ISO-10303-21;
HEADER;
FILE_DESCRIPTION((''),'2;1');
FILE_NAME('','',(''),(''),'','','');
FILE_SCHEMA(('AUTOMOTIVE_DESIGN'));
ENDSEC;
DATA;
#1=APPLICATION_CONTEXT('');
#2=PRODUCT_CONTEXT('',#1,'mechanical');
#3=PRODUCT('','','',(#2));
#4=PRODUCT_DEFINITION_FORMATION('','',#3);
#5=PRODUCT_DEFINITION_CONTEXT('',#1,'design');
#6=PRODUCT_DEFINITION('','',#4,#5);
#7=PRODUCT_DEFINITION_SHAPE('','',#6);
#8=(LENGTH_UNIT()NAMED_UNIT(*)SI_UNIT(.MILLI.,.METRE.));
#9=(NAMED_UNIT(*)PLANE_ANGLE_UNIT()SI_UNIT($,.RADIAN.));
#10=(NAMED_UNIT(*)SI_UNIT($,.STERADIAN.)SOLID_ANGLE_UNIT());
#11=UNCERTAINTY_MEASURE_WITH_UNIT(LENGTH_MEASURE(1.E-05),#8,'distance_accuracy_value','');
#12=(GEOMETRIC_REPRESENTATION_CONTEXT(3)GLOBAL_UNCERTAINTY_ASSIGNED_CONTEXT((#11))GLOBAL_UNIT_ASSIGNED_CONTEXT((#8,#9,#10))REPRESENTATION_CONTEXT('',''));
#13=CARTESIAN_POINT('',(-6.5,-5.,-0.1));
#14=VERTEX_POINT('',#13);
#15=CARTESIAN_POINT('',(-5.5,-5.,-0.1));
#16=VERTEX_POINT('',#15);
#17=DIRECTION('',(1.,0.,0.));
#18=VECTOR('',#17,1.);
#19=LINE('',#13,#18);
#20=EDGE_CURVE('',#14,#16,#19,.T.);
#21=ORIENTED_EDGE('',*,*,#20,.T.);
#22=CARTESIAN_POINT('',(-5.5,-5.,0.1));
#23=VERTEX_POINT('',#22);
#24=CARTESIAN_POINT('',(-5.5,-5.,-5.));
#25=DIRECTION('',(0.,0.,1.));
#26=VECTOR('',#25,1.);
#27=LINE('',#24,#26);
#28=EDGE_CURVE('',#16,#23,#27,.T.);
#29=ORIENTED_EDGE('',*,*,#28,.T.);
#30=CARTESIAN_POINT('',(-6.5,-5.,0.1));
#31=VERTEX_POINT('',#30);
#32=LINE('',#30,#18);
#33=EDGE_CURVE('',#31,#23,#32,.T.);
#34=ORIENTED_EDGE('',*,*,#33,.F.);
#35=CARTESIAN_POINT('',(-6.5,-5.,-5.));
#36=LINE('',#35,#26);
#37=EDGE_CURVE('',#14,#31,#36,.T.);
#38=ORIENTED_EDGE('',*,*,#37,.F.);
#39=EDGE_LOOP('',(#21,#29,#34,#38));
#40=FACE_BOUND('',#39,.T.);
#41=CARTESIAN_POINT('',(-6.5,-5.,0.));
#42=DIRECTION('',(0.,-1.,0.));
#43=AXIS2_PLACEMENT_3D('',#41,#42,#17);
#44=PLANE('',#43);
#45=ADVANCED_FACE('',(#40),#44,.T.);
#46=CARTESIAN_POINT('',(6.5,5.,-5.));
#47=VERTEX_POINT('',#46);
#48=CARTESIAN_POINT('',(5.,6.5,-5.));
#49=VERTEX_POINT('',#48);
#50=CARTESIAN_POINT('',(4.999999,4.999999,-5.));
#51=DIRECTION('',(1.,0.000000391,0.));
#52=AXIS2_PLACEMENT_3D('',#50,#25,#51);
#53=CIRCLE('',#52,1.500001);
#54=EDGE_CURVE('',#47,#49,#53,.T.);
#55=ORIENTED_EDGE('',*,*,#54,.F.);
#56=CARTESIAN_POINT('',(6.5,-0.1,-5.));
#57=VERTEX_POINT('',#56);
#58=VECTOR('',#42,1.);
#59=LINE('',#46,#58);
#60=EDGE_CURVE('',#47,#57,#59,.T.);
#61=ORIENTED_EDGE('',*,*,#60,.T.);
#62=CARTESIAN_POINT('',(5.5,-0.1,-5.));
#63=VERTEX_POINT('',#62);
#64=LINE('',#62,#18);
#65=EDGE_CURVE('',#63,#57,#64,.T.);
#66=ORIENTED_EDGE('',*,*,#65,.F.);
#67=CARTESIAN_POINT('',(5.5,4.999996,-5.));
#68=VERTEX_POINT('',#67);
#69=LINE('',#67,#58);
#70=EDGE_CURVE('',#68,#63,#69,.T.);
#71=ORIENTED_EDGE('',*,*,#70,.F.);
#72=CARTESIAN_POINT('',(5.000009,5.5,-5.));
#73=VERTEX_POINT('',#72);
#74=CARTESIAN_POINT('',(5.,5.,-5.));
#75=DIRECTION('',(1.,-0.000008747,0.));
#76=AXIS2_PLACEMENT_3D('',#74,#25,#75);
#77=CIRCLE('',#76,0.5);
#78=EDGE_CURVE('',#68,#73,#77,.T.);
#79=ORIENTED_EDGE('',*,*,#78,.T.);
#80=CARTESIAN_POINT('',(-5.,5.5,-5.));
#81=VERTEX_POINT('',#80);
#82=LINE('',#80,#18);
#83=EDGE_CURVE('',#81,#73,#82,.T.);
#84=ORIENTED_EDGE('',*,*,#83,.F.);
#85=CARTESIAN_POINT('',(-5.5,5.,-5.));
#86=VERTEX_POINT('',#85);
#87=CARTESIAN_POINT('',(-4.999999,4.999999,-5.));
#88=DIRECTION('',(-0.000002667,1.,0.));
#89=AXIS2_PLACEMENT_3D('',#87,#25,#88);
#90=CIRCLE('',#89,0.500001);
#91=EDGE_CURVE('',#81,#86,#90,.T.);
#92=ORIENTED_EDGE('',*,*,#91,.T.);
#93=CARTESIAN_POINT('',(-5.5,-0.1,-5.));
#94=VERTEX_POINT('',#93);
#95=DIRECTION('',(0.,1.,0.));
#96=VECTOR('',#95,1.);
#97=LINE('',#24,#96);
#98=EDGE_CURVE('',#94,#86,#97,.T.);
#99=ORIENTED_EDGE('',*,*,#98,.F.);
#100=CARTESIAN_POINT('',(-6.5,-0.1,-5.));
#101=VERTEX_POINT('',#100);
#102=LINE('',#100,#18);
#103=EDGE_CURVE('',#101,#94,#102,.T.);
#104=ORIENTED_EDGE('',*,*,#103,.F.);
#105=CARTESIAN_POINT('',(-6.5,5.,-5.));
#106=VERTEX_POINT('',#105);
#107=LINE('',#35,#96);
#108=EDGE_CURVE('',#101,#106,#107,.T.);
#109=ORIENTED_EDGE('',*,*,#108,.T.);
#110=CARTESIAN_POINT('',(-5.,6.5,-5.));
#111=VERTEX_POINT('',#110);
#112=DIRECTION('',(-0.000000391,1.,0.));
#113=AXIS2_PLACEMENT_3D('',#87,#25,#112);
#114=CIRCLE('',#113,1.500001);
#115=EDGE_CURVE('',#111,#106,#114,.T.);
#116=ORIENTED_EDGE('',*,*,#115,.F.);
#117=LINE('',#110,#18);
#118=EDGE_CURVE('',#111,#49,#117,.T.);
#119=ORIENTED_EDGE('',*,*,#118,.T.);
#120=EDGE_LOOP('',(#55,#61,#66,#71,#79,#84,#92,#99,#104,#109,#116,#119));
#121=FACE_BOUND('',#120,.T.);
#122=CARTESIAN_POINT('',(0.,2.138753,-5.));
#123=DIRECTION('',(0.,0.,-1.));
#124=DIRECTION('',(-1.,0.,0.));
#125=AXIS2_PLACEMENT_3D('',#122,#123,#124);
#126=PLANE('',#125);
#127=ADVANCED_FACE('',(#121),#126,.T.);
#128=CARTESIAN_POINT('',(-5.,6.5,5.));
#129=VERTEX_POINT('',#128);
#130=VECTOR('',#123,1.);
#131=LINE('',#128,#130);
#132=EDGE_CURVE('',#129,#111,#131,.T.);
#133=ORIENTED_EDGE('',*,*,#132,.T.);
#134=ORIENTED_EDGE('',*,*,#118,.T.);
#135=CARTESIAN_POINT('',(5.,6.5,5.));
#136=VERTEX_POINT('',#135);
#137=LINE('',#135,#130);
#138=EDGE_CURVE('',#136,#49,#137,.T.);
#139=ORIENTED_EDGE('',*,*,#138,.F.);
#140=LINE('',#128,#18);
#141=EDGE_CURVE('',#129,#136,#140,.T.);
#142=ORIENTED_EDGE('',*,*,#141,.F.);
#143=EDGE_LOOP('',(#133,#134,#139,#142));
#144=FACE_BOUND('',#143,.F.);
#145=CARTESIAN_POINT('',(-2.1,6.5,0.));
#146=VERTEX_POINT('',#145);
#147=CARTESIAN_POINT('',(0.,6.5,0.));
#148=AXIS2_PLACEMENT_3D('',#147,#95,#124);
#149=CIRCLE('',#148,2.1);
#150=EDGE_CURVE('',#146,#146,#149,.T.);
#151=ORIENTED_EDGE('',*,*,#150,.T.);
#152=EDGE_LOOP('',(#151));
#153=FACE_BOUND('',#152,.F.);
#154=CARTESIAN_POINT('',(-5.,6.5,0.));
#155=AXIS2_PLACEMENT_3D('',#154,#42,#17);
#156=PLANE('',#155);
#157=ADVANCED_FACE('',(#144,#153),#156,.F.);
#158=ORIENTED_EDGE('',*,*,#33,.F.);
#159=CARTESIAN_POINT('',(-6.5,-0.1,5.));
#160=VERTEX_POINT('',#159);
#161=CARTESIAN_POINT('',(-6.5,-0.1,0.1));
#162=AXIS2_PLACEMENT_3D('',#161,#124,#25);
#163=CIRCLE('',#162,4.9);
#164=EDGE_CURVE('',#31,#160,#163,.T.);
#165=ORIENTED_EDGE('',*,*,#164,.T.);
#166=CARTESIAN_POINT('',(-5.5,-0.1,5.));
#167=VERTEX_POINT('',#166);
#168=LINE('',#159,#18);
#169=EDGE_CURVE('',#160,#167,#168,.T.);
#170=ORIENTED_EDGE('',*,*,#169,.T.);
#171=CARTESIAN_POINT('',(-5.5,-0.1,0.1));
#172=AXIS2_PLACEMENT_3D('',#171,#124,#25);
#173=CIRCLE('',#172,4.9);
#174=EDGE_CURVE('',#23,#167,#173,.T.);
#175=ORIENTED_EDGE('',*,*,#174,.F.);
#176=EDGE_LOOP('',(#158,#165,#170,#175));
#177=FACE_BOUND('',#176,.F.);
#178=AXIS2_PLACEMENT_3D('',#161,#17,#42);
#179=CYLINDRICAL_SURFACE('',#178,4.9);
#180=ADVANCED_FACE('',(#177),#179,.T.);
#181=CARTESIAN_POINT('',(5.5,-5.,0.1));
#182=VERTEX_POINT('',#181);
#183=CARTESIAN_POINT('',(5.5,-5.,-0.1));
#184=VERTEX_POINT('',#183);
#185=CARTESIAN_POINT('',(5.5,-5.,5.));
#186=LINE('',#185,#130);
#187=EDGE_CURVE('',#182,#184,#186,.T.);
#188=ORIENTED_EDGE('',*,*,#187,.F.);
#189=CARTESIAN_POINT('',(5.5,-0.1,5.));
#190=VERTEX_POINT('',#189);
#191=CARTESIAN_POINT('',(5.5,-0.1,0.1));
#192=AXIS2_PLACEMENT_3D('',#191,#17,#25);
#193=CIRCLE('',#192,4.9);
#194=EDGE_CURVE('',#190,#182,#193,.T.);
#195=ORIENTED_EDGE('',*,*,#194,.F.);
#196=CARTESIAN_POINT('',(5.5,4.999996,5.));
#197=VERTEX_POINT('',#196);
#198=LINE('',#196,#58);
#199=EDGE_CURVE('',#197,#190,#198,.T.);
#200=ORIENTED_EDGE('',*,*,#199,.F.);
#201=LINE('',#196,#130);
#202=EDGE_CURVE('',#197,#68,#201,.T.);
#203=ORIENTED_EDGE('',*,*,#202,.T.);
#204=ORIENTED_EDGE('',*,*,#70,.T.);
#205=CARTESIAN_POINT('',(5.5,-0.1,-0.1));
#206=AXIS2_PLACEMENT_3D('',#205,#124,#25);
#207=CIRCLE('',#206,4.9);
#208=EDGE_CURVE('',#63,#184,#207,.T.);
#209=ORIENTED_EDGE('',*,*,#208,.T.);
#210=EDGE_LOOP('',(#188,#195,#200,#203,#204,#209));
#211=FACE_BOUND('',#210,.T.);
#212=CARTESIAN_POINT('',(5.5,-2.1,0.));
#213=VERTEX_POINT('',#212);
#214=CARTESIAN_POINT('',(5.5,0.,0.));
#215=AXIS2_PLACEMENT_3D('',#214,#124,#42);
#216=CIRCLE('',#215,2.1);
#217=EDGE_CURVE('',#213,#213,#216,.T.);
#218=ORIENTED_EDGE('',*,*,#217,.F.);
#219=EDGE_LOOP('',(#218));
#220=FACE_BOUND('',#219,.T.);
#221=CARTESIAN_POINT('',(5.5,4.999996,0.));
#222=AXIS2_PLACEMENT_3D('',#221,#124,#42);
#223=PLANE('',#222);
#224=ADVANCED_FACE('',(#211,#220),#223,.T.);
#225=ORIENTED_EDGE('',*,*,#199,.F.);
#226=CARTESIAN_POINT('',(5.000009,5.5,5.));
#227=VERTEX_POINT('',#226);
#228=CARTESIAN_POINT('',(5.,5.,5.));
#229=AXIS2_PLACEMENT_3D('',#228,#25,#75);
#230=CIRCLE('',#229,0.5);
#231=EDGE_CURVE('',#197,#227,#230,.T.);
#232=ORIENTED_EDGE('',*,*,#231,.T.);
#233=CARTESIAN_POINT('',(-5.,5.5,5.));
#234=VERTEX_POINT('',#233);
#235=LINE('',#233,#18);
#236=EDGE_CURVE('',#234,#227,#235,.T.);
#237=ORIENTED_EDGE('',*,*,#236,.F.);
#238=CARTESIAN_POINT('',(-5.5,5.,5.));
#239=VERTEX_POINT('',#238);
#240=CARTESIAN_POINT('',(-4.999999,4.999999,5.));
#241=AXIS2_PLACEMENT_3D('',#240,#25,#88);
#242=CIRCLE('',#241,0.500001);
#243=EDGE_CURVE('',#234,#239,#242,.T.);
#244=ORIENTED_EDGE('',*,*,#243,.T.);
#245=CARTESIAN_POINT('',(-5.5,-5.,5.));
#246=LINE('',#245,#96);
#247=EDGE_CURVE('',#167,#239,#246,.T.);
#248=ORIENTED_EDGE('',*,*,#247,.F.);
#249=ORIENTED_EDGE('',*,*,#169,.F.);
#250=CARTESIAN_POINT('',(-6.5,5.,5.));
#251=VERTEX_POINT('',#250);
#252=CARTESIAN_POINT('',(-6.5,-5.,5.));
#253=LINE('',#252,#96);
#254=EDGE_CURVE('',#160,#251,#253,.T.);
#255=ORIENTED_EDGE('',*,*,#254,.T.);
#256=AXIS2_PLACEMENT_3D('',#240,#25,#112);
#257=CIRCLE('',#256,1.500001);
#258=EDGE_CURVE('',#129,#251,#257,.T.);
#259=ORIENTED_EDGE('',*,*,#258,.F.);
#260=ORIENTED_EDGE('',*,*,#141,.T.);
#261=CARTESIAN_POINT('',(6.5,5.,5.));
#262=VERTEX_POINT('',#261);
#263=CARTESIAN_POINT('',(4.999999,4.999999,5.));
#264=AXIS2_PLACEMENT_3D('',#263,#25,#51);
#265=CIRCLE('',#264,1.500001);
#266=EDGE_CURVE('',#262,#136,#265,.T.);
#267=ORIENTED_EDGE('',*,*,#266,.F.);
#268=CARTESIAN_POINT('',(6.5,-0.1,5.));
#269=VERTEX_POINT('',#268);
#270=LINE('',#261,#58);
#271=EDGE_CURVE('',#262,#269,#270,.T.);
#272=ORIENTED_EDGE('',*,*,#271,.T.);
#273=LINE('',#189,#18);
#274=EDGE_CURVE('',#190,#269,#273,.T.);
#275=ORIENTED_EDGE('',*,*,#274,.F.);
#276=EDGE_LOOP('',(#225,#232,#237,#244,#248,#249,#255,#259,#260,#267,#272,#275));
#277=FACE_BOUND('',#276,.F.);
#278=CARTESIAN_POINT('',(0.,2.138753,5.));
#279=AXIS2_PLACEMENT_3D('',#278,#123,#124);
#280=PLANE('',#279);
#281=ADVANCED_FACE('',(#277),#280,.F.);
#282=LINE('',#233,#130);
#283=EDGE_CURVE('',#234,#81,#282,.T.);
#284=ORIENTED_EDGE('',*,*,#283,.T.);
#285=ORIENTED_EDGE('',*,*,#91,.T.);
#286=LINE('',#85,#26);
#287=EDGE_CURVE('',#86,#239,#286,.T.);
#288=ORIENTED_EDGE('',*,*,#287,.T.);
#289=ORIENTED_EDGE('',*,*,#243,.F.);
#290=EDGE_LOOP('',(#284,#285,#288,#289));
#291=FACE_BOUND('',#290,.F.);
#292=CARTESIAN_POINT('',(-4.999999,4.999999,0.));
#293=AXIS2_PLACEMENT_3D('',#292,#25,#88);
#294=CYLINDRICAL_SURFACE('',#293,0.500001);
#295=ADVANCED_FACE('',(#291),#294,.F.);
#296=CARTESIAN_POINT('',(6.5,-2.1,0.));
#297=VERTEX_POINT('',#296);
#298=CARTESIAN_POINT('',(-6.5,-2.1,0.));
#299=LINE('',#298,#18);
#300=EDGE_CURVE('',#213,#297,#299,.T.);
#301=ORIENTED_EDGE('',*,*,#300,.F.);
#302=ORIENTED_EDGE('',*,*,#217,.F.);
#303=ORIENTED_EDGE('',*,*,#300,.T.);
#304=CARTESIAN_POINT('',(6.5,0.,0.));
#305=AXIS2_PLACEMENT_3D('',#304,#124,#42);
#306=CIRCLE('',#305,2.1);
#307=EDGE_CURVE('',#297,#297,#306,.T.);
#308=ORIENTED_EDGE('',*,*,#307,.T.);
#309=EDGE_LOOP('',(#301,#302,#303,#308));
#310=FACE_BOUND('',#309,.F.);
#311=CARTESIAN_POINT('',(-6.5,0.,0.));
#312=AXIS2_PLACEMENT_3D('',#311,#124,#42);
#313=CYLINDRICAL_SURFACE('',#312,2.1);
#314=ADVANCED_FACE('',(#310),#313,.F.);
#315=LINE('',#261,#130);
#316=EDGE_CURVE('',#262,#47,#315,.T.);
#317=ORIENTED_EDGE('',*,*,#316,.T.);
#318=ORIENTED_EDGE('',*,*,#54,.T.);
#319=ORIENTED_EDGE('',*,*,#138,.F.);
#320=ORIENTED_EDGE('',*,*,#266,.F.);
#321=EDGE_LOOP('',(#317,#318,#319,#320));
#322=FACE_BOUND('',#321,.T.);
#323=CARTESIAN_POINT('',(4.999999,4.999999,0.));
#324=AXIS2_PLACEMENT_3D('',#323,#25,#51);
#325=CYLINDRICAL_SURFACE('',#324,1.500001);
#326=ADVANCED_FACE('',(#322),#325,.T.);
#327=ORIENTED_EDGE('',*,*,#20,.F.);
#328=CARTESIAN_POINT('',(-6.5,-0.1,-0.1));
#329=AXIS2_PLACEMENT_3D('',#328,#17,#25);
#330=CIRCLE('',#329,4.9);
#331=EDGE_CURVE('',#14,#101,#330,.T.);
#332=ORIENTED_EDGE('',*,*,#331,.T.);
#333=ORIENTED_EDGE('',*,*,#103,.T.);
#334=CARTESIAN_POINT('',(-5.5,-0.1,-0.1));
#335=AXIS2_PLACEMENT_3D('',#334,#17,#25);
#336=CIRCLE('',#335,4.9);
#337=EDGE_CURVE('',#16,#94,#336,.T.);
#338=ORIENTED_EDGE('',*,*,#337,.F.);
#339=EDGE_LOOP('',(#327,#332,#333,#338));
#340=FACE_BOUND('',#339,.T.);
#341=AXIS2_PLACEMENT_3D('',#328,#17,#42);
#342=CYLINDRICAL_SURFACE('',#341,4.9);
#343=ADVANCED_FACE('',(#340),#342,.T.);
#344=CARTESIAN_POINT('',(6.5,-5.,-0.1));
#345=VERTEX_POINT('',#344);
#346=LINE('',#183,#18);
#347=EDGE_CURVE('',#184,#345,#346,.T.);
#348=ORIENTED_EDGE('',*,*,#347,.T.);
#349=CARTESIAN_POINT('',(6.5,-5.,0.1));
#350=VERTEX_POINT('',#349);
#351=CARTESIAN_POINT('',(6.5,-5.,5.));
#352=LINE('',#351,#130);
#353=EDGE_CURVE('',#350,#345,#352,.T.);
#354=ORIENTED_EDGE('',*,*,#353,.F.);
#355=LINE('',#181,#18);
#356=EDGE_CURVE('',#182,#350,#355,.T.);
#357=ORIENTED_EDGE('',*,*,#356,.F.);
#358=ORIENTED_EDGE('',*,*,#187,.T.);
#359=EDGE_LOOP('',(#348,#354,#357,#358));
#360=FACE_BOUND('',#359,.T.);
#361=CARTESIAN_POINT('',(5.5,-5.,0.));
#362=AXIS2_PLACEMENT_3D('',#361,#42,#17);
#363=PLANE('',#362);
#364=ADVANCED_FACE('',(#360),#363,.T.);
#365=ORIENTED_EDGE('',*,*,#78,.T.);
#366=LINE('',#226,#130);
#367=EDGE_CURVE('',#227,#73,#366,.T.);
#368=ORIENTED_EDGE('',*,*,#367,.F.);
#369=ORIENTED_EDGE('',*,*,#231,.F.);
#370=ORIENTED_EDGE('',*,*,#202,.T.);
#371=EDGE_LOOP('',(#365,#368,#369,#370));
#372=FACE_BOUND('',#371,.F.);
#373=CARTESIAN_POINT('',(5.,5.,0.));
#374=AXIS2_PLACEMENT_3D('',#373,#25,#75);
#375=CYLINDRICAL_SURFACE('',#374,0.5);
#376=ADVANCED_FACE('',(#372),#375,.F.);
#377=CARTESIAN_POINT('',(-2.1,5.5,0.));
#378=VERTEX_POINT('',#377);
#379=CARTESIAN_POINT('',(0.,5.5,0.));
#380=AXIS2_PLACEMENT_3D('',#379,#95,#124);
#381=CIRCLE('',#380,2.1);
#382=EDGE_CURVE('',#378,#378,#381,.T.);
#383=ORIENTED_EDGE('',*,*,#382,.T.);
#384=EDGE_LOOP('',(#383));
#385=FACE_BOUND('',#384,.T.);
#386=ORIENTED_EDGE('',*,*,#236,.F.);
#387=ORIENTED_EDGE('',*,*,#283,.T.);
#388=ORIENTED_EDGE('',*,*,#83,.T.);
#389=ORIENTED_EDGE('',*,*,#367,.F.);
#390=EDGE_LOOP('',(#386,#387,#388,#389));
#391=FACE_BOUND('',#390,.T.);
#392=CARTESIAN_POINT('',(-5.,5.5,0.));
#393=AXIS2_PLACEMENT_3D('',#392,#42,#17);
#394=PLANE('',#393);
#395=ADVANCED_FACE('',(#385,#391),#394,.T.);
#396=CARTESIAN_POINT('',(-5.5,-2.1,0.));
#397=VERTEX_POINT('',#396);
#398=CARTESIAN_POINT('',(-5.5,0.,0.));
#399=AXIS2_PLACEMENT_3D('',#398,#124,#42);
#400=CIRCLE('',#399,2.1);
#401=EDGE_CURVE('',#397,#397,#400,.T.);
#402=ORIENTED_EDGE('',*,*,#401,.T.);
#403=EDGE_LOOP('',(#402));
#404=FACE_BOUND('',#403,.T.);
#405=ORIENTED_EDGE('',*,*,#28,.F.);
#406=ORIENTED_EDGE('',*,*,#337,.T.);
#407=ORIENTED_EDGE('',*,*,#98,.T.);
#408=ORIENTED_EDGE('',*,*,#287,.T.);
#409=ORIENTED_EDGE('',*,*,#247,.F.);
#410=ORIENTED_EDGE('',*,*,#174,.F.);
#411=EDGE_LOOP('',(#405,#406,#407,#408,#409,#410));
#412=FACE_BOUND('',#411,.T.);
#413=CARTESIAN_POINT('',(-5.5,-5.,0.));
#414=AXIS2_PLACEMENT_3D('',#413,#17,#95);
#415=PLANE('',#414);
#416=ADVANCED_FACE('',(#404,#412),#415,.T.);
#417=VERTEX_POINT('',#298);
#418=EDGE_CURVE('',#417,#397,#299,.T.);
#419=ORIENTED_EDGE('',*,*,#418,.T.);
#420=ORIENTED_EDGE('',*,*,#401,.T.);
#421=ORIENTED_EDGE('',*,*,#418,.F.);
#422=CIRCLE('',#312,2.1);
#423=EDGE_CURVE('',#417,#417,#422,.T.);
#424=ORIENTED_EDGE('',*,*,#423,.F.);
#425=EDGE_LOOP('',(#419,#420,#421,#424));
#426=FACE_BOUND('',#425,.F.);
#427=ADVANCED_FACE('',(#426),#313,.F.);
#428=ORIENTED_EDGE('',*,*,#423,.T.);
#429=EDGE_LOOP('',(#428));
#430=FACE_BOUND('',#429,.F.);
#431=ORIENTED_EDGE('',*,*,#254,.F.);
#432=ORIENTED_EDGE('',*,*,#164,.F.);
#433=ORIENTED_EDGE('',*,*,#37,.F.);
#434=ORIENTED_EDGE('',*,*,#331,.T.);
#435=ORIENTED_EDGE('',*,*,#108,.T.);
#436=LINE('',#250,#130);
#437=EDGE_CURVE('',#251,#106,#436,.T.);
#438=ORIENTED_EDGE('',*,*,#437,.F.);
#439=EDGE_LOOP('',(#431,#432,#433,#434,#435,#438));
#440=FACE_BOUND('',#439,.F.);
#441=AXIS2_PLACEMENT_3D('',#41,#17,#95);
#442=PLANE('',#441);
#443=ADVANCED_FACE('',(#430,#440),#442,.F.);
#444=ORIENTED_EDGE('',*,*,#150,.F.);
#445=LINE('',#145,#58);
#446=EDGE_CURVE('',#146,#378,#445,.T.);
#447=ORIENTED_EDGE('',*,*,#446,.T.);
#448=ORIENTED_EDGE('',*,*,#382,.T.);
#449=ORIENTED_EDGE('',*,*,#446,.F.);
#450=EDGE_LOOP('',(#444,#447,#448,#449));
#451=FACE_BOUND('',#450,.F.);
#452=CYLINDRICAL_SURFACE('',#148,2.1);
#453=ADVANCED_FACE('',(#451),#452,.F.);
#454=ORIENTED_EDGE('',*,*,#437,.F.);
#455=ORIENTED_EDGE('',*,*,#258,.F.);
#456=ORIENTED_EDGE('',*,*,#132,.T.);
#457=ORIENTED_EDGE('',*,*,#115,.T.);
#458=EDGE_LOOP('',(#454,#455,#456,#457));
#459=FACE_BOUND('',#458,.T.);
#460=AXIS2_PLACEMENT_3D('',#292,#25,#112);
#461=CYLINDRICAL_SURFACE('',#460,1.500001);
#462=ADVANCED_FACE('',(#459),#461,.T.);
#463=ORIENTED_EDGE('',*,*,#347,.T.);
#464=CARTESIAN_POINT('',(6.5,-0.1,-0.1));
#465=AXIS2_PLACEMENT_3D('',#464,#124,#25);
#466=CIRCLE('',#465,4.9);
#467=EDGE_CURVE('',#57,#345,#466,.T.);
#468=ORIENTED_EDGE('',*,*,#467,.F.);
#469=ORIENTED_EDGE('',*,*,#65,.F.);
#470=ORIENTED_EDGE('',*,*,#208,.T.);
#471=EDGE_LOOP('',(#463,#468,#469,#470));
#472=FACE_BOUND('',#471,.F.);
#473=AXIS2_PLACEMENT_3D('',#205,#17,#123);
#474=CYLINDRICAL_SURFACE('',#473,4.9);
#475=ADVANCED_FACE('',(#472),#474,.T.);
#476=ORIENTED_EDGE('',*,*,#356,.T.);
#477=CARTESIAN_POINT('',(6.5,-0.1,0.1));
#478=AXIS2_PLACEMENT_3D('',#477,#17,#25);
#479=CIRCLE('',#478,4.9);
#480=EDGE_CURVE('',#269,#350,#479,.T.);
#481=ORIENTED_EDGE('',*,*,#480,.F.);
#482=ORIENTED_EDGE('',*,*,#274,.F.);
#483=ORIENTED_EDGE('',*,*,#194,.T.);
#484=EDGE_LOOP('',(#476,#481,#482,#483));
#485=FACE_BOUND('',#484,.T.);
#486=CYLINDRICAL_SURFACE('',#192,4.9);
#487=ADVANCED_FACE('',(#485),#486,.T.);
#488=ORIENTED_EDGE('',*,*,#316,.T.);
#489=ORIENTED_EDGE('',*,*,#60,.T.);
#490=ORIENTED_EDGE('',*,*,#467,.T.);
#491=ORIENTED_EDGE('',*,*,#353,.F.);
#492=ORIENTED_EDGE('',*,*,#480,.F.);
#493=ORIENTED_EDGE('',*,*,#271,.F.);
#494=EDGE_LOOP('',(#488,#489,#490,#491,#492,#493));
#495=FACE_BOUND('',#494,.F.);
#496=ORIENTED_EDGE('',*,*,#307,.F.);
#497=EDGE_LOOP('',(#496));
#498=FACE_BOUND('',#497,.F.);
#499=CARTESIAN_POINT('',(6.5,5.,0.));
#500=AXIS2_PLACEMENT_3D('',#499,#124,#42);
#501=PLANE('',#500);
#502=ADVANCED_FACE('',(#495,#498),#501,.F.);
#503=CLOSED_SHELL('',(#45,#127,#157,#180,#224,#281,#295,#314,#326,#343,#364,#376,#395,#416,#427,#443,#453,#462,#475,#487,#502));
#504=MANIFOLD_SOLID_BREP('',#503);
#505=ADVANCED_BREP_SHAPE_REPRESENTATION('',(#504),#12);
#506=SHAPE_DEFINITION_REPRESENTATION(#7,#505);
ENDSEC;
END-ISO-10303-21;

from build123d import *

# Parameters (mm, degrees)
PAD_DEPTH       = 5
SKETCH001_R     = 2.1
POCKET_DEPTH    = 13.001
SKETCH002_R     = 2.1
POCKET001_DEPTH = 5
FILLET_R        = 4.9


with BuildPart() as part:
    # Sketch → Pad (new body, symmetric)
    with BuildSketch(Plane.XY):
        with BuildLine():
            Line((-6.5, -5), (-6.5, 5))
            ThreePointArc((-5, 6.5), (-6.06066, 6.06066), (-6.5, 5))
            Line((-5, 6.5), (5, 6.5))
            ThreePointArc((6.5, 5), (6.06066, 6.06066), (5, 6.5))
            Line((6.5, 5), (6.5, -5))
            Line((5.5, -5), (6.5, -5))
            Line((5.5, 4.999996), (5.5, -5))
            ThreePointArc((5.5, 4.999996), (5.353558, 5.353549), (5.000009, 5.5))
            Line((-5, 5.5), (5.000009, 5.5))
            ThreePointArc((-5, 5.5), (-5.353553, 5.353553), (-5.5, 5))
            Line((-5.5, -5), (-5.5, 5))
            Line((-6.5, -5), (-5.5, -5))
        make_face()
    extrude(amount=PAD_DEPTH, both=True)

    # Sketch001 → Pocket (cut, through all)
    with BuildSketch(Plane(origin=(-6.5, 0, 0), x_dir=(0, -1, 0), z_dir=(-1, 0, 0))):
        Circle(SKETCH001_R)
    extrude(amount=-POCKET_DEPTH, mode=Mode.SUBTRACT)

    # Sketch002 → Pocket001 (cut)
    with BuildSketch(Plane(origin=(0, 6.5, 0), x_dir=(-1, 0, 0), z_dir=(0, 1, 0))):
        Circle(SKETCH002_R)
    extrude(amount=-POCKET001_DEPTH, mode=Mode.SUBTRACT)

    # Fillet
    fillet_edges = [part.edges().sort_by_distance(p)[0] for p in [
        (-6, -5, -5),
        (6, -5, -5),
        (6, -5, 5),
        (-6, -5, 5),
    ]]
    fillet(fillet_edges, radius=FILLET_R)


solid = part.part
